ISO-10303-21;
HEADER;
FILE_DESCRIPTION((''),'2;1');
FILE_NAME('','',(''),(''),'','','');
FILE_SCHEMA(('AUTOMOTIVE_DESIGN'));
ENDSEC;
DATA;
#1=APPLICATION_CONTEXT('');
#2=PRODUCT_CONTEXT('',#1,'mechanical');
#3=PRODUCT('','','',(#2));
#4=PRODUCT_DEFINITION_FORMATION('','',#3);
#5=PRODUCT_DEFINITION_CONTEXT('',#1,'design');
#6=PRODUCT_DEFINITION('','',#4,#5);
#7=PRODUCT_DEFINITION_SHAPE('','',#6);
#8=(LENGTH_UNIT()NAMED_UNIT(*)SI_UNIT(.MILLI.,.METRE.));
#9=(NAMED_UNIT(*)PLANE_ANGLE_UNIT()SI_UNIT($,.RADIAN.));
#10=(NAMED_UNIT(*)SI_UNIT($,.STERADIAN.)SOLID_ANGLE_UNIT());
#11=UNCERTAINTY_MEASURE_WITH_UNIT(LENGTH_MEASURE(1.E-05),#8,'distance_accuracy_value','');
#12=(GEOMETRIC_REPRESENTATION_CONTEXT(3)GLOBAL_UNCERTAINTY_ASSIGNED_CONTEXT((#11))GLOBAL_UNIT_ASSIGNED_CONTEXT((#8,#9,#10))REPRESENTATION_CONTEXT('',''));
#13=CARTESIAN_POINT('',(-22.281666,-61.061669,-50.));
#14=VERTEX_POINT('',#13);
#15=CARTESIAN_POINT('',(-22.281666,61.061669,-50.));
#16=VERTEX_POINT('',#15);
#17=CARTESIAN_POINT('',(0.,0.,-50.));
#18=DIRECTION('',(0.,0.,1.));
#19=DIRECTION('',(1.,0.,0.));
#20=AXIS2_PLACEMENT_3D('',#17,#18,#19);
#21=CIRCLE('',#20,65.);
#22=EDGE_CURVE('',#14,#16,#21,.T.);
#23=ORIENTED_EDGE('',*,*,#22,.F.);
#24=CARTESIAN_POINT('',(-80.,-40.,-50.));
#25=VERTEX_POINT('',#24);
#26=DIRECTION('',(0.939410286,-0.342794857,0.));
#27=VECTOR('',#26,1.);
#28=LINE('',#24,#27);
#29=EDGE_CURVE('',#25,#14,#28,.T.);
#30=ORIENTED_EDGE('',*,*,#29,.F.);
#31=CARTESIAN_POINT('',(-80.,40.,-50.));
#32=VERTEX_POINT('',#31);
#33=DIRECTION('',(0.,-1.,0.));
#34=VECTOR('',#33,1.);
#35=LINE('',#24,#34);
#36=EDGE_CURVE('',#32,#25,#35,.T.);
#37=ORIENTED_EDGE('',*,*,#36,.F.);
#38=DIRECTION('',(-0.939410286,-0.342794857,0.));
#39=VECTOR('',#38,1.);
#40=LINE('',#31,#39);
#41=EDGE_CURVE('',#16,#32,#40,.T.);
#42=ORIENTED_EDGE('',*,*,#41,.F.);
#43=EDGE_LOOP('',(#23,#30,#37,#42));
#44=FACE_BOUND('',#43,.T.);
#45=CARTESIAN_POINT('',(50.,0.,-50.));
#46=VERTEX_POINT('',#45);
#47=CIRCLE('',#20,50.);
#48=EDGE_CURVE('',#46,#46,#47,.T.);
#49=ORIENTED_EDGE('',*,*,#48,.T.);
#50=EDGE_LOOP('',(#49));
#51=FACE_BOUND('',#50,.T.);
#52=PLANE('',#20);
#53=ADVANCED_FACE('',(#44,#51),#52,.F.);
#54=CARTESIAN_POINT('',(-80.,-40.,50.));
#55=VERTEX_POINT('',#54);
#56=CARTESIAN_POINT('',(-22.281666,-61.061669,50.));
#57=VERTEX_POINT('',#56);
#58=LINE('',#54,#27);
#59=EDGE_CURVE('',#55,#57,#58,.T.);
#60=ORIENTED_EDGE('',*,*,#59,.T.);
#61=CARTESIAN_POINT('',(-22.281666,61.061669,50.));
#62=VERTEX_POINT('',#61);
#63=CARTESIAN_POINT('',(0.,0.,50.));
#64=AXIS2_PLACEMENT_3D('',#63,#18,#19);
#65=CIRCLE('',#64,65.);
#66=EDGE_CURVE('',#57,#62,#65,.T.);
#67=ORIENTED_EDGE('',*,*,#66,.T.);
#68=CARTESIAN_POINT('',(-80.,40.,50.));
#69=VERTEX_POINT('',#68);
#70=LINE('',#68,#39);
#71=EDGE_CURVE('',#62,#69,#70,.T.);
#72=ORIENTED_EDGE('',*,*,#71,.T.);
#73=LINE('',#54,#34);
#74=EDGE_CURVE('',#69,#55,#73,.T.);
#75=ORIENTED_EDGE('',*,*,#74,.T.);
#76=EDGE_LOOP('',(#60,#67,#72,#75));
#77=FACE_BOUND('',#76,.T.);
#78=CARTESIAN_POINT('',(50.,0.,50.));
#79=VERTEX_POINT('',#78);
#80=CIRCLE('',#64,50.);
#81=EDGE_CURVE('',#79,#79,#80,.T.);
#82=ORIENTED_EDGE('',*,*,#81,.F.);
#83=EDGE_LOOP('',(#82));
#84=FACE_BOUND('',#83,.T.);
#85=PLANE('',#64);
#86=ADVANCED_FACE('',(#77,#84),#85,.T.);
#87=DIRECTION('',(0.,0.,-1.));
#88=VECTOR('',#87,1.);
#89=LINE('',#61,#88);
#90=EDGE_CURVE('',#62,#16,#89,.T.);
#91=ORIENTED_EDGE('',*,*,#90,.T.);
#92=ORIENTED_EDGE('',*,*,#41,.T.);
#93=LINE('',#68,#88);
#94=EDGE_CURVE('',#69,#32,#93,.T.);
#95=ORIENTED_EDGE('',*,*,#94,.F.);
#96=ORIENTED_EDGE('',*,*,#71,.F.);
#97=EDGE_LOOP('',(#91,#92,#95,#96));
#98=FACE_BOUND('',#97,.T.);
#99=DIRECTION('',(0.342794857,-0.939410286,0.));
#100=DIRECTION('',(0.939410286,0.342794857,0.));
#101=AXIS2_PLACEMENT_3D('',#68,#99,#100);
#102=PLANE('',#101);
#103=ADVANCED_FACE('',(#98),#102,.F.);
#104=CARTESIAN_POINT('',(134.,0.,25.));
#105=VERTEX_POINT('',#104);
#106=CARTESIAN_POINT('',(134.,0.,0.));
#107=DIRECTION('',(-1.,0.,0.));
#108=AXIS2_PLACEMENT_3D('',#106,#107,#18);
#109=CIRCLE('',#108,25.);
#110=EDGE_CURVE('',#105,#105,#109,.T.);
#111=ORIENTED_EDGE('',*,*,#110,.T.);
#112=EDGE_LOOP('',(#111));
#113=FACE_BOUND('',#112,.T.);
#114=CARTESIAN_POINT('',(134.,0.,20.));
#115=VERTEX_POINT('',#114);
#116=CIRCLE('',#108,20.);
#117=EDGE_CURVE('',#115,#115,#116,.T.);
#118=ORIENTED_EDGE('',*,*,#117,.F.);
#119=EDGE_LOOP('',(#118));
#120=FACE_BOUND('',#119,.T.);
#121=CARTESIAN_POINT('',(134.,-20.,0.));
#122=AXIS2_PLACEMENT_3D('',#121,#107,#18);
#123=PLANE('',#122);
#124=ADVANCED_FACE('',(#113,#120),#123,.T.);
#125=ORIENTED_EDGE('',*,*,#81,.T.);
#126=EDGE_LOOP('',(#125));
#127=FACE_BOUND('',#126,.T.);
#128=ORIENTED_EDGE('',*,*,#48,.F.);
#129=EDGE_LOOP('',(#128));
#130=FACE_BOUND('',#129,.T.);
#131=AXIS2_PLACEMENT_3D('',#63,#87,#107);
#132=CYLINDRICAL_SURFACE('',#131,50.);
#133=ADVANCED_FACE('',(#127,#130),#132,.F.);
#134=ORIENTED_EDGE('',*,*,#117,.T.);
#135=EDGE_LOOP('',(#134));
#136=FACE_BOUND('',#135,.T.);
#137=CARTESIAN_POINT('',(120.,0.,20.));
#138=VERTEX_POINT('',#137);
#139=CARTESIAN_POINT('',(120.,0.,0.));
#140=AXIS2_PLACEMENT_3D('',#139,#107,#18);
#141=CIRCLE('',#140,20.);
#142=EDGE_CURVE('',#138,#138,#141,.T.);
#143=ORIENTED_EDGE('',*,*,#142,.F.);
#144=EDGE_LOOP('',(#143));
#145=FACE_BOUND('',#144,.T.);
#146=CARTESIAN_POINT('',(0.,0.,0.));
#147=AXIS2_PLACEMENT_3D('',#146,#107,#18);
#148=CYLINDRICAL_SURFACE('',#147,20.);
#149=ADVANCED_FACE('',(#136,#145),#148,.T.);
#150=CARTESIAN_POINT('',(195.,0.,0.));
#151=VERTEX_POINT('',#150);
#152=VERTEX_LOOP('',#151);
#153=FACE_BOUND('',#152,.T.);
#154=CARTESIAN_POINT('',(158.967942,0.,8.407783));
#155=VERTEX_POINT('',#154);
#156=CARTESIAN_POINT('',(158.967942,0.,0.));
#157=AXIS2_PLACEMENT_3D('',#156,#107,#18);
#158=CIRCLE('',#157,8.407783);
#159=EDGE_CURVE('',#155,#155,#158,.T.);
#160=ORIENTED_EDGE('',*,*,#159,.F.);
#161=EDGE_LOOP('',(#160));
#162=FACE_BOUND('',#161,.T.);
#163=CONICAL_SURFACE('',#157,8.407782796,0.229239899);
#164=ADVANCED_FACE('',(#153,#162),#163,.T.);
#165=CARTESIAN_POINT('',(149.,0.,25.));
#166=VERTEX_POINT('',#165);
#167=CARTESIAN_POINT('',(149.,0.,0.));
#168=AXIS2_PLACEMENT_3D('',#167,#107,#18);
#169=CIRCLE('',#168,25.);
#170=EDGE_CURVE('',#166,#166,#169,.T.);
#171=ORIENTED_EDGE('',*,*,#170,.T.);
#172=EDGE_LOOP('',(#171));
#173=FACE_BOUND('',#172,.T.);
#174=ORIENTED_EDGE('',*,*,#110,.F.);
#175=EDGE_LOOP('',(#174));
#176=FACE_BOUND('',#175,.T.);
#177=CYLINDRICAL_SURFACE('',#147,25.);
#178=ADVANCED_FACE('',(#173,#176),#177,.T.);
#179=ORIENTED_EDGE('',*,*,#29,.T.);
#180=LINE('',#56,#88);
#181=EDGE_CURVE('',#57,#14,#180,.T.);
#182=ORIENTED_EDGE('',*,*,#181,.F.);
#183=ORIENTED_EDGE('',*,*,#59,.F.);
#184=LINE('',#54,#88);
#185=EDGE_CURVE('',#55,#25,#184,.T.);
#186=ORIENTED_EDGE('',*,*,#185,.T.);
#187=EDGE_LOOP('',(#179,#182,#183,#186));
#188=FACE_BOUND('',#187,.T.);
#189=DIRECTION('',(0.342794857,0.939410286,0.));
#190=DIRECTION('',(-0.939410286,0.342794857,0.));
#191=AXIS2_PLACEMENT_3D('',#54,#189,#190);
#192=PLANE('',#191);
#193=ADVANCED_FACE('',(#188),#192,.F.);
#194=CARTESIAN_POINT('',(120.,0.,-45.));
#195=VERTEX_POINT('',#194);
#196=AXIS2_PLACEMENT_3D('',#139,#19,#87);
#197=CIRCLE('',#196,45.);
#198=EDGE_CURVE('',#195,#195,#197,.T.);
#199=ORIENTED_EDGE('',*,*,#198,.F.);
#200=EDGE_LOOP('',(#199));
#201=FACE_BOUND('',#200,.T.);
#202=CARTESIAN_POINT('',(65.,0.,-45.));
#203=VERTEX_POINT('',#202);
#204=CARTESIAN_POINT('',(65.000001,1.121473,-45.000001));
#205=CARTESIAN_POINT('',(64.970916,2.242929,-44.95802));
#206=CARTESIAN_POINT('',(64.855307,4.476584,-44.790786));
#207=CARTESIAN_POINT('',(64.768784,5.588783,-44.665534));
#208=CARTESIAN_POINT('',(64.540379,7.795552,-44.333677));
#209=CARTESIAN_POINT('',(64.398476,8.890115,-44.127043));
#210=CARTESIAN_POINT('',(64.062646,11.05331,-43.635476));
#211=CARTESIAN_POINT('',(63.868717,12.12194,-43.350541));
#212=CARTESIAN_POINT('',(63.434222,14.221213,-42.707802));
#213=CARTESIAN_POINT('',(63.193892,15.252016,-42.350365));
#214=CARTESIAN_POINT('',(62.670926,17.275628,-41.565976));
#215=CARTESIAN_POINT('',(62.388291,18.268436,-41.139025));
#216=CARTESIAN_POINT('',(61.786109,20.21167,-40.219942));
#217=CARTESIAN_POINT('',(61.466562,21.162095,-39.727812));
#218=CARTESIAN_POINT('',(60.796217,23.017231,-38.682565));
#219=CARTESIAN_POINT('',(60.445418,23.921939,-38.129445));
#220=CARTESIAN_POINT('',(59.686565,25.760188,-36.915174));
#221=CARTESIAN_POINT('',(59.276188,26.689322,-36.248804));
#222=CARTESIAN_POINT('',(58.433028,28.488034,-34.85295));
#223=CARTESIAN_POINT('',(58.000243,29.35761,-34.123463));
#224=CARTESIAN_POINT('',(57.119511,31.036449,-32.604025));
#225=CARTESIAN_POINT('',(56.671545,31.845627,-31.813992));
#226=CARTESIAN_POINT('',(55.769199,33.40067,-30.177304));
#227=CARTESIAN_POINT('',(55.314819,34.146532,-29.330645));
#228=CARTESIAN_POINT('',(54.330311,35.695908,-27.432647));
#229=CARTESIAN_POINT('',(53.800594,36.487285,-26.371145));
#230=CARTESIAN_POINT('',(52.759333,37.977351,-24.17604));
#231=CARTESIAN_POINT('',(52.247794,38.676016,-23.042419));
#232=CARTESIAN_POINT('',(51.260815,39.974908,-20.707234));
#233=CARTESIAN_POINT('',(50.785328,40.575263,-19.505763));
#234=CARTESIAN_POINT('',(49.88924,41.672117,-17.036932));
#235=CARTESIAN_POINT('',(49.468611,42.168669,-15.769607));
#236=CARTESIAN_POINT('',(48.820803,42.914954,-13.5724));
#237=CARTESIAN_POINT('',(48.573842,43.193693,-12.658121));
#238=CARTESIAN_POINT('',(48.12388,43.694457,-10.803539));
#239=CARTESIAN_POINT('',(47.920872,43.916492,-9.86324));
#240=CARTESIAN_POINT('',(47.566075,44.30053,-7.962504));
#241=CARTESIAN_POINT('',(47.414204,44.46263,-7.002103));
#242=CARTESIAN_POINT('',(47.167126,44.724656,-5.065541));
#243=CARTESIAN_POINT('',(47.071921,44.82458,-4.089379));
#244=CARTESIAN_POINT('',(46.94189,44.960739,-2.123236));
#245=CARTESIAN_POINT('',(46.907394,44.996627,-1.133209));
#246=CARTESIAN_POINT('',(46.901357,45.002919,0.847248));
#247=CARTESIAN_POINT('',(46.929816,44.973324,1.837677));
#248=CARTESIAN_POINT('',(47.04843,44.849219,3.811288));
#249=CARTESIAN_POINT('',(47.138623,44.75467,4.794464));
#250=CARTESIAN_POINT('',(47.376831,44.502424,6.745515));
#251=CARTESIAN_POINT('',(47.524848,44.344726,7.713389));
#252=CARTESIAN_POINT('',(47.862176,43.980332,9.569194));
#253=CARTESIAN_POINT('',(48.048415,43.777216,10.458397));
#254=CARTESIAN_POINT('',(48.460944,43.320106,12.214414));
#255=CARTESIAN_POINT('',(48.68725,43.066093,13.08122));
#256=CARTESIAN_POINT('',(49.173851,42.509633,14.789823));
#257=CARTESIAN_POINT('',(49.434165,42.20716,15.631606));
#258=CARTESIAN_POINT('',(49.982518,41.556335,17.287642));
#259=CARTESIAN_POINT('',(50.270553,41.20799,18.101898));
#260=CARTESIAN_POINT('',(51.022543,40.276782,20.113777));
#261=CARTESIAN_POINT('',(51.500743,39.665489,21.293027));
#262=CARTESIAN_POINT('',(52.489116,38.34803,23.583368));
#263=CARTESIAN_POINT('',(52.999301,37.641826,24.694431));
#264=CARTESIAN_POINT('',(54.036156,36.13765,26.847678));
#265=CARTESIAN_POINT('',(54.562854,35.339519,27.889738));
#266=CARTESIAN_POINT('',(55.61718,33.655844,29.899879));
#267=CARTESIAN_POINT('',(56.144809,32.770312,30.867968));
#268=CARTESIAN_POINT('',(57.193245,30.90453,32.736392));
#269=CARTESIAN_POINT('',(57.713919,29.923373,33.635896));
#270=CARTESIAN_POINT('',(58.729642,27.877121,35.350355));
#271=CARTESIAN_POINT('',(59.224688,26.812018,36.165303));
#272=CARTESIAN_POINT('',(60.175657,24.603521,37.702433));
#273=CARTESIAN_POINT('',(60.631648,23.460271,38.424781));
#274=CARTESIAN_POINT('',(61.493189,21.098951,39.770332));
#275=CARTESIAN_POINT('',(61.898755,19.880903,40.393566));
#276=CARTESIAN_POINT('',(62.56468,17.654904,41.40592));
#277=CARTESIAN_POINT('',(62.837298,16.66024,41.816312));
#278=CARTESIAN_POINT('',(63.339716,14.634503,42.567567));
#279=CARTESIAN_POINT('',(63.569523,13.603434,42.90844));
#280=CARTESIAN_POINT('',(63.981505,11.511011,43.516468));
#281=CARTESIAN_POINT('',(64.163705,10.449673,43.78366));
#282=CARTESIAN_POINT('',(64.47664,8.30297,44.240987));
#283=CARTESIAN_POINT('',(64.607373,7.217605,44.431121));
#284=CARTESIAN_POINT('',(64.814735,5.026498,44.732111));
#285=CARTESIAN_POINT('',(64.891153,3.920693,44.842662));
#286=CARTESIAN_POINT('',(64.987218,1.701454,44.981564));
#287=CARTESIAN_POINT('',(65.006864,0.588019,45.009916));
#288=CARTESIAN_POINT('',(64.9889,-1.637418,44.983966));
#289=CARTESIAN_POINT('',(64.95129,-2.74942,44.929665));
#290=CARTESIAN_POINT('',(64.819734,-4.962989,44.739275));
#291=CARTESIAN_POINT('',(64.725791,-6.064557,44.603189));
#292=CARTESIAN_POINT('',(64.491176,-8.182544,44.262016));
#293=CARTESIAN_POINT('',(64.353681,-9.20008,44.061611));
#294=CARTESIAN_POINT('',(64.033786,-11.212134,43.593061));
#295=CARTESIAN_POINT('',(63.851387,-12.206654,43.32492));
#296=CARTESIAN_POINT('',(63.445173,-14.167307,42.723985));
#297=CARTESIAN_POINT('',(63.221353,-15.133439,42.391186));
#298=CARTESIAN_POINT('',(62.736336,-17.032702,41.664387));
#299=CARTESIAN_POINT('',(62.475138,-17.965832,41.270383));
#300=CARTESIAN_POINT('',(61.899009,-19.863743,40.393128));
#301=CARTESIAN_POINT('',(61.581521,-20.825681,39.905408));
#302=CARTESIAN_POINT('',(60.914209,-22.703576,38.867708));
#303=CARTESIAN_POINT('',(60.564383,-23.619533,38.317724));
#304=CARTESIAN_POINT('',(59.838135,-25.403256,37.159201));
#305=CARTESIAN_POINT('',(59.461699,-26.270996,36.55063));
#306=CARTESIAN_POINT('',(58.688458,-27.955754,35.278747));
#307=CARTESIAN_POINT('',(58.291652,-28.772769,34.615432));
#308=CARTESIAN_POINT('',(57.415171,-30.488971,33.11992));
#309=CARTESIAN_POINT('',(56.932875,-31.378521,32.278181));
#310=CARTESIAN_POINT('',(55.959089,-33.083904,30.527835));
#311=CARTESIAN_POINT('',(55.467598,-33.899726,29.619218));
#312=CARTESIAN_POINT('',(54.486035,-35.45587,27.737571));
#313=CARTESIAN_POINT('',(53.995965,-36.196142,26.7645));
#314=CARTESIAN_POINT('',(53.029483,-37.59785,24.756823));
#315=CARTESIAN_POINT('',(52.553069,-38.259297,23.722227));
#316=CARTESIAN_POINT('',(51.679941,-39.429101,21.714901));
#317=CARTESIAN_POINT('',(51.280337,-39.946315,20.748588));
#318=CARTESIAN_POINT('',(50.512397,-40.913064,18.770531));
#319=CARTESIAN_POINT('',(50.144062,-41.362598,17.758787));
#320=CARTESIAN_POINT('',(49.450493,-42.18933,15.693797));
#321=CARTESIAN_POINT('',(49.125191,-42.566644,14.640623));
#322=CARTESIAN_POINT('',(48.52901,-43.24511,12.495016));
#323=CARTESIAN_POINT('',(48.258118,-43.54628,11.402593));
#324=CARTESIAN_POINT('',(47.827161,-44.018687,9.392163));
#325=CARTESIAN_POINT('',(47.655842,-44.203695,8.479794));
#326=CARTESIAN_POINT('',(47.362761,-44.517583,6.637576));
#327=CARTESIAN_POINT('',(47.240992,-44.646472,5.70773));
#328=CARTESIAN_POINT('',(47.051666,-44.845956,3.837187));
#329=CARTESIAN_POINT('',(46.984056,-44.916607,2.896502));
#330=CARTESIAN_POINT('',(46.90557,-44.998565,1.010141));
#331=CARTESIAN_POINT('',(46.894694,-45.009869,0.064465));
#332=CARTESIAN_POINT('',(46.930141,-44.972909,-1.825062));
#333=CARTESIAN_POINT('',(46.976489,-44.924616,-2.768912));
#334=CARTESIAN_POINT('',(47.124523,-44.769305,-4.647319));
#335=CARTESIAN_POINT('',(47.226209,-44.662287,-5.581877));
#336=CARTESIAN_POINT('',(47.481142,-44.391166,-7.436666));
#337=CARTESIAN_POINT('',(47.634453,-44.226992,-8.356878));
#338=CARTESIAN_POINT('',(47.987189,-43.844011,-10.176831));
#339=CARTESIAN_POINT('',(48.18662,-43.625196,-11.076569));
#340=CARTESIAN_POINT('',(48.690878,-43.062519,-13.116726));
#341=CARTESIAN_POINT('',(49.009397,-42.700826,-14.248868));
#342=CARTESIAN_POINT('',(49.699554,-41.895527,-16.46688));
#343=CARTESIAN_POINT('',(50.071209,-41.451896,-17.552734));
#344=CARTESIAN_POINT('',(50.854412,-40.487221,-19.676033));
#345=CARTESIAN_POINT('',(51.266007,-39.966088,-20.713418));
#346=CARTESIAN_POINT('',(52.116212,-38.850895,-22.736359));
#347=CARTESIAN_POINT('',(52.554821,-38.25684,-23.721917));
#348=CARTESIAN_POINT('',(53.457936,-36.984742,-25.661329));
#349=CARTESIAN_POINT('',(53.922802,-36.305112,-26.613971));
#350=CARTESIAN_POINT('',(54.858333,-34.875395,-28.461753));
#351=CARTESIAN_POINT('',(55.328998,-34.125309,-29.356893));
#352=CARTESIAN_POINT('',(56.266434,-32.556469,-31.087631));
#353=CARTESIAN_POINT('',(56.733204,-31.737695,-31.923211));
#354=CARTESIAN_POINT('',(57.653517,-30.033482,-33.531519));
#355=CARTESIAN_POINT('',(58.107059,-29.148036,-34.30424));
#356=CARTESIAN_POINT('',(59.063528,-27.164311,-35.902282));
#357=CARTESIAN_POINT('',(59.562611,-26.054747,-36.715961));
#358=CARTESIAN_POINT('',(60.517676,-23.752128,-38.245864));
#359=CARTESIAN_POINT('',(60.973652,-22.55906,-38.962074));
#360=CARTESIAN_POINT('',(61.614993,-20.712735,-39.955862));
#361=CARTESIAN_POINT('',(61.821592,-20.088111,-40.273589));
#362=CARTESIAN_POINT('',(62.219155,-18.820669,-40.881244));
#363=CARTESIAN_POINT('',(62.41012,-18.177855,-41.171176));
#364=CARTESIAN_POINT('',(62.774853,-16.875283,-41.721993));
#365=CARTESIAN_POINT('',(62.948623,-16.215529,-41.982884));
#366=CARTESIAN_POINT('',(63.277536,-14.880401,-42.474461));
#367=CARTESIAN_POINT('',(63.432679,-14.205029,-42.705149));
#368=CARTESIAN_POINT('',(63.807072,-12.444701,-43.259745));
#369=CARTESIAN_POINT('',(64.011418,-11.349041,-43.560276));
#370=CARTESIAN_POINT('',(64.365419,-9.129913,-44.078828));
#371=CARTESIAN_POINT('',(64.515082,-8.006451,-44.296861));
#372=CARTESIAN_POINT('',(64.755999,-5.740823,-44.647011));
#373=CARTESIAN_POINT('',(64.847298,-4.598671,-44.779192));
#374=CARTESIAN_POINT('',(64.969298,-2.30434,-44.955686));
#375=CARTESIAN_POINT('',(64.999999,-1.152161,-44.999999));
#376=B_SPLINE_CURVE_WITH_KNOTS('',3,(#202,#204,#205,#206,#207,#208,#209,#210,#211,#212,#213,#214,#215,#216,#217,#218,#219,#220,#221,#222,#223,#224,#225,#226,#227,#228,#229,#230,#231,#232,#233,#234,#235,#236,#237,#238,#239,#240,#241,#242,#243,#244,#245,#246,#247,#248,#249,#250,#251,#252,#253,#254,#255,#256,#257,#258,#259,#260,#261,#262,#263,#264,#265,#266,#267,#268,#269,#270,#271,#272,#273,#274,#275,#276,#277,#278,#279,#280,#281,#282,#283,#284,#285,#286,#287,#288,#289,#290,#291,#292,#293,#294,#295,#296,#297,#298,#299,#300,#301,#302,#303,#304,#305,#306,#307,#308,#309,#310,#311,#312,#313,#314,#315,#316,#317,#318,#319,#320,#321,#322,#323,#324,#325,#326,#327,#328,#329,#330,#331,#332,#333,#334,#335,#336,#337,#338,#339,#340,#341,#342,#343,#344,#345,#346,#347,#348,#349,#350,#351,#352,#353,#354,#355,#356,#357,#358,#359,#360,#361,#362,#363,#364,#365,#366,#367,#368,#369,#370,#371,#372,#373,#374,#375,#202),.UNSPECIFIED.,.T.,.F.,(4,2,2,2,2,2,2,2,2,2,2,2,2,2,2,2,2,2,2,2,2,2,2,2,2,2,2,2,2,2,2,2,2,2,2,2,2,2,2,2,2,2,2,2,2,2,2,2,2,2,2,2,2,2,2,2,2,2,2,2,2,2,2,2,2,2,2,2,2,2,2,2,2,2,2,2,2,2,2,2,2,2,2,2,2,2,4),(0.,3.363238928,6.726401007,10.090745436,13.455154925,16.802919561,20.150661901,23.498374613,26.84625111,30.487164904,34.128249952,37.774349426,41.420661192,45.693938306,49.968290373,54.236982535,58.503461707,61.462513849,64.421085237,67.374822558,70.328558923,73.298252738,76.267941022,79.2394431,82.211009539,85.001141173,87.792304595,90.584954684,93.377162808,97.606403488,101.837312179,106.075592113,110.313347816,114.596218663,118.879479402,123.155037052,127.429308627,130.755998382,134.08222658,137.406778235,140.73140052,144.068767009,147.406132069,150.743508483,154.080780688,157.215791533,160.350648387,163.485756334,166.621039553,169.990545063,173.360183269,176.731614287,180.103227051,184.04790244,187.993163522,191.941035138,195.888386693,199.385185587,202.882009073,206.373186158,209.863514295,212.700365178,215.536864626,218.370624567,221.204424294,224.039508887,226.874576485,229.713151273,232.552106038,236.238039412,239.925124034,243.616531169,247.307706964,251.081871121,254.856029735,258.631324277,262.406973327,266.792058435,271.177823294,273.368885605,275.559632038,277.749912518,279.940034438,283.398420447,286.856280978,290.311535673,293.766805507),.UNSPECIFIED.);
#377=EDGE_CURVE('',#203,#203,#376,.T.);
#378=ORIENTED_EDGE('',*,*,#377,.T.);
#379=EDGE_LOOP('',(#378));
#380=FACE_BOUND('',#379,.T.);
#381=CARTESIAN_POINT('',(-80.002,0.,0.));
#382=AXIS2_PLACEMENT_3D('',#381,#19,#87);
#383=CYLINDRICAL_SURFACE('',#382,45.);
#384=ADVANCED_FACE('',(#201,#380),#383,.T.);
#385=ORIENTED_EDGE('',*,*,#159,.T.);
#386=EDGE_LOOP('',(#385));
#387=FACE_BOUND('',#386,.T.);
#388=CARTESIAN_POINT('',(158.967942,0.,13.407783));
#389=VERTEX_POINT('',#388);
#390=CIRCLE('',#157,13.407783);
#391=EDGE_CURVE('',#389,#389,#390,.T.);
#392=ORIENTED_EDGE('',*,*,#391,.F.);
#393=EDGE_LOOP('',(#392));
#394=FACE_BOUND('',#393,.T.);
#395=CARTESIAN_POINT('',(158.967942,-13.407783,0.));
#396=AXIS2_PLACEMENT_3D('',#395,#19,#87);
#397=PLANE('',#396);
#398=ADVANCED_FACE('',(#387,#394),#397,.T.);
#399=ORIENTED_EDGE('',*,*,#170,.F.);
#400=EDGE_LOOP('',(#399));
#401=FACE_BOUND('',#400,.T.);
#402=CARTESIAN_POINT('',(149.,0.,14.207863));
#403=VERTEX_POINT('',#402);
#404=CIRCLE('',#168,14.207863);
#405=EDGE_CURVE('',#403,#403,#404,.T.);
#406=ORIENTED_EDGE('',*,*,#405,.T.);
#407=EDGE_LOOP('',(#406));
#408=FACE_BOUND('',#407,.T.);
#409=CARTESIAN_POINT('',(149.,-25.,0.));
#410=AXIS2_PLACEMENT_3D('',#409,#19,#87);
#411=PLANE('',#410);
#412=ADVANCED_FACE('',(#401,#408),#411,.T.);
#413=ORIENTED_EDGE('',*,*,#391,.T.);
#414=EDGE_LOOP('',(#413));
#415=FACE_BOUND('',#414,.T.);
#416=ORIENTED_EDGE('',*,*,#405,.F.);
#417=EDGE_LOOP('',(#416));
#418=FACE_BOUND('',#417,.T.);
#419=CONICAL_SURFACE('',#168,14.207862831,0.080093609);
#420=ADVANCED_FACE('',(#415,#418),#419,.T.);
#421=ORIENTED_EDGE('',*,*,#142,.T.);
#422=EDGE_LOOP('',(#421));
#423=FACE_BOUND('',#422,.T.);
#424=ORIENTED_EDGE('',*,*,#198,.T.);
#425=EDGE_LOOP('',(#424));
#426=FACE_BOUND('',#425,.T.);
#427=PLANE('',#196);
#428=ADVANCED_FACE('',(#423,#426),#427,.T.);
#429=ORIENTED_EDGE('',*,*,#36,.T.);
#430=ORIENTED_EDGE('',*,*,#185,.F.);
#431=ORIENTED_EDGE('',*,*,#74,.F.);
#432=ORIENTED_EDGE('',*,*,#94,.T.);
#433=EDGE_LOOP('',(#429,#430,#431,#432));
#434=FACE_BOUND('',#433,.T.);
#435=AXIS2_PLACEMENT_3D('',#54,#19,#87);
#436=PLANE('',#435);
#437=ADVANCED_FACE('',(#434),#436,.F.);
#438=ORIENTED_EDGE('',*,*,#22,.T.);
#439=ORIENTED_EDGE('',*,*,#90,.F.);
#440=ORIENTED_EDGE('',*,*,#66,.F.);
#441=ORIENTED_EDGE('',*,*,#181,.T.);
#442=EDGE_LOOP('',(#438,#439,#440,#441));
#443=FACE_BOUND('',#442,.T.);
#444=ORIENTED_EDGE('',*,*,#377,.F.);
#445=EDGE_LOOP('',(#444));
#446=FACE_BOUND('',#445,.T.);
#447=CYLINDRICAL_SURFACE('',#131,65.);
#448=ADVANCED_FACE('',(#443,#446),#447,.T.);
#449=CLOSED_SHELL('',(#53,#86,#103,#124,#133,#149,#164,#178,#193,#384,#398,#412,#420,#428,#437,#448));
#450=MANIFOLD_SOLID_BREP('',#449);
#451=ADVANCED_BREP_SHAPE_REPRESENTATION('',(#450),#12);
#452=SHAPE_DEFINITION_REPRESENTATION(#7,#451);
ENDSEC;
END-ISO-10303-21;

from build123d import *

# Parameters (mm, degrees)
SKETCH1_R                = 50
BOSS_EXTRUDE1_DEPTH      = 50
BOSS_EXTRUDE2_REACH      = 218.16
BOSS_EXTRUDE2_END_RADIUS = 65
SKETCH2_R                = 45


with BuildPart() as part:
    # Sketch1 → Boss-Extrude1 (new, symmetric)
    with BuildSketch(Plane.XY):
        with BuildLine():
            Line((-80, -40), (-80, 40))
            Line((-80, 40), (-22.281665693, 61.061668614))
            ThreePointArc((-22.281665693, 61.061668614), (65, 0), (-22.281665693, -61.061668614))
            Line((-22.281665693, -61.061668614), (-80, -40))
        make_face()
        Circle(SKETCH1_R, mode=Mode.SUBTRACT)
    extrude(amount=BOSS_EXTRUDE1_DEPTH, both=True)

    # Boss-Extrude2: up to this cylinder (the profile starts outside it)
    boss_extrude2_end = Plane(origin=(0, 0, 0), z_dir=(0, 0, -1)) * Cylinder(BOSS_EXTRUDE2_END_RADIUS, 567.32, mode=Mode.PRIVATE)
    # Sketch2 → Boss-Extrude2 (add, up to the surface)
    with BuildSketch(Plane(origin=(120, 0, 0), x_dir=(0, 0, -1), z_dir=(1, 0, 0)), mode=Mode.PRIVATE) as boss_extrude2_sk1:
        Circle(SKETCH2_R)
    boss_extrude2_tool1 = extrude(boss_extrude2_sk1.sketch, amount=-BOSS_EXTRUDE2_REACH, mode=Mode.PRIVATE) - boss_extrude2_end
    add(boss_extrude2_tool1.solids().sort_by_distance((120, 0, 0))[0])

    # Sketch3 → Revolve1 (revolve)
    with BuildSketch(Plane.XY, mode=Mode.PRIVATE) as revolve1_sk:
        Polygon((120, 0), (120, -20), (134, -20), (134, -25), (149, -25), (149, -14.207862831), (158.967942212, -13.407782796), (158.967942212, -8.407782796), (195, 0), align=None)
    revolve(revolve1_sk.sketch.rotate(Axis((0, 0, 0), (1, 0, 0)), 270), axis=Axis((0, 0, 0), (1, 0, 0)))


solid = part.part
